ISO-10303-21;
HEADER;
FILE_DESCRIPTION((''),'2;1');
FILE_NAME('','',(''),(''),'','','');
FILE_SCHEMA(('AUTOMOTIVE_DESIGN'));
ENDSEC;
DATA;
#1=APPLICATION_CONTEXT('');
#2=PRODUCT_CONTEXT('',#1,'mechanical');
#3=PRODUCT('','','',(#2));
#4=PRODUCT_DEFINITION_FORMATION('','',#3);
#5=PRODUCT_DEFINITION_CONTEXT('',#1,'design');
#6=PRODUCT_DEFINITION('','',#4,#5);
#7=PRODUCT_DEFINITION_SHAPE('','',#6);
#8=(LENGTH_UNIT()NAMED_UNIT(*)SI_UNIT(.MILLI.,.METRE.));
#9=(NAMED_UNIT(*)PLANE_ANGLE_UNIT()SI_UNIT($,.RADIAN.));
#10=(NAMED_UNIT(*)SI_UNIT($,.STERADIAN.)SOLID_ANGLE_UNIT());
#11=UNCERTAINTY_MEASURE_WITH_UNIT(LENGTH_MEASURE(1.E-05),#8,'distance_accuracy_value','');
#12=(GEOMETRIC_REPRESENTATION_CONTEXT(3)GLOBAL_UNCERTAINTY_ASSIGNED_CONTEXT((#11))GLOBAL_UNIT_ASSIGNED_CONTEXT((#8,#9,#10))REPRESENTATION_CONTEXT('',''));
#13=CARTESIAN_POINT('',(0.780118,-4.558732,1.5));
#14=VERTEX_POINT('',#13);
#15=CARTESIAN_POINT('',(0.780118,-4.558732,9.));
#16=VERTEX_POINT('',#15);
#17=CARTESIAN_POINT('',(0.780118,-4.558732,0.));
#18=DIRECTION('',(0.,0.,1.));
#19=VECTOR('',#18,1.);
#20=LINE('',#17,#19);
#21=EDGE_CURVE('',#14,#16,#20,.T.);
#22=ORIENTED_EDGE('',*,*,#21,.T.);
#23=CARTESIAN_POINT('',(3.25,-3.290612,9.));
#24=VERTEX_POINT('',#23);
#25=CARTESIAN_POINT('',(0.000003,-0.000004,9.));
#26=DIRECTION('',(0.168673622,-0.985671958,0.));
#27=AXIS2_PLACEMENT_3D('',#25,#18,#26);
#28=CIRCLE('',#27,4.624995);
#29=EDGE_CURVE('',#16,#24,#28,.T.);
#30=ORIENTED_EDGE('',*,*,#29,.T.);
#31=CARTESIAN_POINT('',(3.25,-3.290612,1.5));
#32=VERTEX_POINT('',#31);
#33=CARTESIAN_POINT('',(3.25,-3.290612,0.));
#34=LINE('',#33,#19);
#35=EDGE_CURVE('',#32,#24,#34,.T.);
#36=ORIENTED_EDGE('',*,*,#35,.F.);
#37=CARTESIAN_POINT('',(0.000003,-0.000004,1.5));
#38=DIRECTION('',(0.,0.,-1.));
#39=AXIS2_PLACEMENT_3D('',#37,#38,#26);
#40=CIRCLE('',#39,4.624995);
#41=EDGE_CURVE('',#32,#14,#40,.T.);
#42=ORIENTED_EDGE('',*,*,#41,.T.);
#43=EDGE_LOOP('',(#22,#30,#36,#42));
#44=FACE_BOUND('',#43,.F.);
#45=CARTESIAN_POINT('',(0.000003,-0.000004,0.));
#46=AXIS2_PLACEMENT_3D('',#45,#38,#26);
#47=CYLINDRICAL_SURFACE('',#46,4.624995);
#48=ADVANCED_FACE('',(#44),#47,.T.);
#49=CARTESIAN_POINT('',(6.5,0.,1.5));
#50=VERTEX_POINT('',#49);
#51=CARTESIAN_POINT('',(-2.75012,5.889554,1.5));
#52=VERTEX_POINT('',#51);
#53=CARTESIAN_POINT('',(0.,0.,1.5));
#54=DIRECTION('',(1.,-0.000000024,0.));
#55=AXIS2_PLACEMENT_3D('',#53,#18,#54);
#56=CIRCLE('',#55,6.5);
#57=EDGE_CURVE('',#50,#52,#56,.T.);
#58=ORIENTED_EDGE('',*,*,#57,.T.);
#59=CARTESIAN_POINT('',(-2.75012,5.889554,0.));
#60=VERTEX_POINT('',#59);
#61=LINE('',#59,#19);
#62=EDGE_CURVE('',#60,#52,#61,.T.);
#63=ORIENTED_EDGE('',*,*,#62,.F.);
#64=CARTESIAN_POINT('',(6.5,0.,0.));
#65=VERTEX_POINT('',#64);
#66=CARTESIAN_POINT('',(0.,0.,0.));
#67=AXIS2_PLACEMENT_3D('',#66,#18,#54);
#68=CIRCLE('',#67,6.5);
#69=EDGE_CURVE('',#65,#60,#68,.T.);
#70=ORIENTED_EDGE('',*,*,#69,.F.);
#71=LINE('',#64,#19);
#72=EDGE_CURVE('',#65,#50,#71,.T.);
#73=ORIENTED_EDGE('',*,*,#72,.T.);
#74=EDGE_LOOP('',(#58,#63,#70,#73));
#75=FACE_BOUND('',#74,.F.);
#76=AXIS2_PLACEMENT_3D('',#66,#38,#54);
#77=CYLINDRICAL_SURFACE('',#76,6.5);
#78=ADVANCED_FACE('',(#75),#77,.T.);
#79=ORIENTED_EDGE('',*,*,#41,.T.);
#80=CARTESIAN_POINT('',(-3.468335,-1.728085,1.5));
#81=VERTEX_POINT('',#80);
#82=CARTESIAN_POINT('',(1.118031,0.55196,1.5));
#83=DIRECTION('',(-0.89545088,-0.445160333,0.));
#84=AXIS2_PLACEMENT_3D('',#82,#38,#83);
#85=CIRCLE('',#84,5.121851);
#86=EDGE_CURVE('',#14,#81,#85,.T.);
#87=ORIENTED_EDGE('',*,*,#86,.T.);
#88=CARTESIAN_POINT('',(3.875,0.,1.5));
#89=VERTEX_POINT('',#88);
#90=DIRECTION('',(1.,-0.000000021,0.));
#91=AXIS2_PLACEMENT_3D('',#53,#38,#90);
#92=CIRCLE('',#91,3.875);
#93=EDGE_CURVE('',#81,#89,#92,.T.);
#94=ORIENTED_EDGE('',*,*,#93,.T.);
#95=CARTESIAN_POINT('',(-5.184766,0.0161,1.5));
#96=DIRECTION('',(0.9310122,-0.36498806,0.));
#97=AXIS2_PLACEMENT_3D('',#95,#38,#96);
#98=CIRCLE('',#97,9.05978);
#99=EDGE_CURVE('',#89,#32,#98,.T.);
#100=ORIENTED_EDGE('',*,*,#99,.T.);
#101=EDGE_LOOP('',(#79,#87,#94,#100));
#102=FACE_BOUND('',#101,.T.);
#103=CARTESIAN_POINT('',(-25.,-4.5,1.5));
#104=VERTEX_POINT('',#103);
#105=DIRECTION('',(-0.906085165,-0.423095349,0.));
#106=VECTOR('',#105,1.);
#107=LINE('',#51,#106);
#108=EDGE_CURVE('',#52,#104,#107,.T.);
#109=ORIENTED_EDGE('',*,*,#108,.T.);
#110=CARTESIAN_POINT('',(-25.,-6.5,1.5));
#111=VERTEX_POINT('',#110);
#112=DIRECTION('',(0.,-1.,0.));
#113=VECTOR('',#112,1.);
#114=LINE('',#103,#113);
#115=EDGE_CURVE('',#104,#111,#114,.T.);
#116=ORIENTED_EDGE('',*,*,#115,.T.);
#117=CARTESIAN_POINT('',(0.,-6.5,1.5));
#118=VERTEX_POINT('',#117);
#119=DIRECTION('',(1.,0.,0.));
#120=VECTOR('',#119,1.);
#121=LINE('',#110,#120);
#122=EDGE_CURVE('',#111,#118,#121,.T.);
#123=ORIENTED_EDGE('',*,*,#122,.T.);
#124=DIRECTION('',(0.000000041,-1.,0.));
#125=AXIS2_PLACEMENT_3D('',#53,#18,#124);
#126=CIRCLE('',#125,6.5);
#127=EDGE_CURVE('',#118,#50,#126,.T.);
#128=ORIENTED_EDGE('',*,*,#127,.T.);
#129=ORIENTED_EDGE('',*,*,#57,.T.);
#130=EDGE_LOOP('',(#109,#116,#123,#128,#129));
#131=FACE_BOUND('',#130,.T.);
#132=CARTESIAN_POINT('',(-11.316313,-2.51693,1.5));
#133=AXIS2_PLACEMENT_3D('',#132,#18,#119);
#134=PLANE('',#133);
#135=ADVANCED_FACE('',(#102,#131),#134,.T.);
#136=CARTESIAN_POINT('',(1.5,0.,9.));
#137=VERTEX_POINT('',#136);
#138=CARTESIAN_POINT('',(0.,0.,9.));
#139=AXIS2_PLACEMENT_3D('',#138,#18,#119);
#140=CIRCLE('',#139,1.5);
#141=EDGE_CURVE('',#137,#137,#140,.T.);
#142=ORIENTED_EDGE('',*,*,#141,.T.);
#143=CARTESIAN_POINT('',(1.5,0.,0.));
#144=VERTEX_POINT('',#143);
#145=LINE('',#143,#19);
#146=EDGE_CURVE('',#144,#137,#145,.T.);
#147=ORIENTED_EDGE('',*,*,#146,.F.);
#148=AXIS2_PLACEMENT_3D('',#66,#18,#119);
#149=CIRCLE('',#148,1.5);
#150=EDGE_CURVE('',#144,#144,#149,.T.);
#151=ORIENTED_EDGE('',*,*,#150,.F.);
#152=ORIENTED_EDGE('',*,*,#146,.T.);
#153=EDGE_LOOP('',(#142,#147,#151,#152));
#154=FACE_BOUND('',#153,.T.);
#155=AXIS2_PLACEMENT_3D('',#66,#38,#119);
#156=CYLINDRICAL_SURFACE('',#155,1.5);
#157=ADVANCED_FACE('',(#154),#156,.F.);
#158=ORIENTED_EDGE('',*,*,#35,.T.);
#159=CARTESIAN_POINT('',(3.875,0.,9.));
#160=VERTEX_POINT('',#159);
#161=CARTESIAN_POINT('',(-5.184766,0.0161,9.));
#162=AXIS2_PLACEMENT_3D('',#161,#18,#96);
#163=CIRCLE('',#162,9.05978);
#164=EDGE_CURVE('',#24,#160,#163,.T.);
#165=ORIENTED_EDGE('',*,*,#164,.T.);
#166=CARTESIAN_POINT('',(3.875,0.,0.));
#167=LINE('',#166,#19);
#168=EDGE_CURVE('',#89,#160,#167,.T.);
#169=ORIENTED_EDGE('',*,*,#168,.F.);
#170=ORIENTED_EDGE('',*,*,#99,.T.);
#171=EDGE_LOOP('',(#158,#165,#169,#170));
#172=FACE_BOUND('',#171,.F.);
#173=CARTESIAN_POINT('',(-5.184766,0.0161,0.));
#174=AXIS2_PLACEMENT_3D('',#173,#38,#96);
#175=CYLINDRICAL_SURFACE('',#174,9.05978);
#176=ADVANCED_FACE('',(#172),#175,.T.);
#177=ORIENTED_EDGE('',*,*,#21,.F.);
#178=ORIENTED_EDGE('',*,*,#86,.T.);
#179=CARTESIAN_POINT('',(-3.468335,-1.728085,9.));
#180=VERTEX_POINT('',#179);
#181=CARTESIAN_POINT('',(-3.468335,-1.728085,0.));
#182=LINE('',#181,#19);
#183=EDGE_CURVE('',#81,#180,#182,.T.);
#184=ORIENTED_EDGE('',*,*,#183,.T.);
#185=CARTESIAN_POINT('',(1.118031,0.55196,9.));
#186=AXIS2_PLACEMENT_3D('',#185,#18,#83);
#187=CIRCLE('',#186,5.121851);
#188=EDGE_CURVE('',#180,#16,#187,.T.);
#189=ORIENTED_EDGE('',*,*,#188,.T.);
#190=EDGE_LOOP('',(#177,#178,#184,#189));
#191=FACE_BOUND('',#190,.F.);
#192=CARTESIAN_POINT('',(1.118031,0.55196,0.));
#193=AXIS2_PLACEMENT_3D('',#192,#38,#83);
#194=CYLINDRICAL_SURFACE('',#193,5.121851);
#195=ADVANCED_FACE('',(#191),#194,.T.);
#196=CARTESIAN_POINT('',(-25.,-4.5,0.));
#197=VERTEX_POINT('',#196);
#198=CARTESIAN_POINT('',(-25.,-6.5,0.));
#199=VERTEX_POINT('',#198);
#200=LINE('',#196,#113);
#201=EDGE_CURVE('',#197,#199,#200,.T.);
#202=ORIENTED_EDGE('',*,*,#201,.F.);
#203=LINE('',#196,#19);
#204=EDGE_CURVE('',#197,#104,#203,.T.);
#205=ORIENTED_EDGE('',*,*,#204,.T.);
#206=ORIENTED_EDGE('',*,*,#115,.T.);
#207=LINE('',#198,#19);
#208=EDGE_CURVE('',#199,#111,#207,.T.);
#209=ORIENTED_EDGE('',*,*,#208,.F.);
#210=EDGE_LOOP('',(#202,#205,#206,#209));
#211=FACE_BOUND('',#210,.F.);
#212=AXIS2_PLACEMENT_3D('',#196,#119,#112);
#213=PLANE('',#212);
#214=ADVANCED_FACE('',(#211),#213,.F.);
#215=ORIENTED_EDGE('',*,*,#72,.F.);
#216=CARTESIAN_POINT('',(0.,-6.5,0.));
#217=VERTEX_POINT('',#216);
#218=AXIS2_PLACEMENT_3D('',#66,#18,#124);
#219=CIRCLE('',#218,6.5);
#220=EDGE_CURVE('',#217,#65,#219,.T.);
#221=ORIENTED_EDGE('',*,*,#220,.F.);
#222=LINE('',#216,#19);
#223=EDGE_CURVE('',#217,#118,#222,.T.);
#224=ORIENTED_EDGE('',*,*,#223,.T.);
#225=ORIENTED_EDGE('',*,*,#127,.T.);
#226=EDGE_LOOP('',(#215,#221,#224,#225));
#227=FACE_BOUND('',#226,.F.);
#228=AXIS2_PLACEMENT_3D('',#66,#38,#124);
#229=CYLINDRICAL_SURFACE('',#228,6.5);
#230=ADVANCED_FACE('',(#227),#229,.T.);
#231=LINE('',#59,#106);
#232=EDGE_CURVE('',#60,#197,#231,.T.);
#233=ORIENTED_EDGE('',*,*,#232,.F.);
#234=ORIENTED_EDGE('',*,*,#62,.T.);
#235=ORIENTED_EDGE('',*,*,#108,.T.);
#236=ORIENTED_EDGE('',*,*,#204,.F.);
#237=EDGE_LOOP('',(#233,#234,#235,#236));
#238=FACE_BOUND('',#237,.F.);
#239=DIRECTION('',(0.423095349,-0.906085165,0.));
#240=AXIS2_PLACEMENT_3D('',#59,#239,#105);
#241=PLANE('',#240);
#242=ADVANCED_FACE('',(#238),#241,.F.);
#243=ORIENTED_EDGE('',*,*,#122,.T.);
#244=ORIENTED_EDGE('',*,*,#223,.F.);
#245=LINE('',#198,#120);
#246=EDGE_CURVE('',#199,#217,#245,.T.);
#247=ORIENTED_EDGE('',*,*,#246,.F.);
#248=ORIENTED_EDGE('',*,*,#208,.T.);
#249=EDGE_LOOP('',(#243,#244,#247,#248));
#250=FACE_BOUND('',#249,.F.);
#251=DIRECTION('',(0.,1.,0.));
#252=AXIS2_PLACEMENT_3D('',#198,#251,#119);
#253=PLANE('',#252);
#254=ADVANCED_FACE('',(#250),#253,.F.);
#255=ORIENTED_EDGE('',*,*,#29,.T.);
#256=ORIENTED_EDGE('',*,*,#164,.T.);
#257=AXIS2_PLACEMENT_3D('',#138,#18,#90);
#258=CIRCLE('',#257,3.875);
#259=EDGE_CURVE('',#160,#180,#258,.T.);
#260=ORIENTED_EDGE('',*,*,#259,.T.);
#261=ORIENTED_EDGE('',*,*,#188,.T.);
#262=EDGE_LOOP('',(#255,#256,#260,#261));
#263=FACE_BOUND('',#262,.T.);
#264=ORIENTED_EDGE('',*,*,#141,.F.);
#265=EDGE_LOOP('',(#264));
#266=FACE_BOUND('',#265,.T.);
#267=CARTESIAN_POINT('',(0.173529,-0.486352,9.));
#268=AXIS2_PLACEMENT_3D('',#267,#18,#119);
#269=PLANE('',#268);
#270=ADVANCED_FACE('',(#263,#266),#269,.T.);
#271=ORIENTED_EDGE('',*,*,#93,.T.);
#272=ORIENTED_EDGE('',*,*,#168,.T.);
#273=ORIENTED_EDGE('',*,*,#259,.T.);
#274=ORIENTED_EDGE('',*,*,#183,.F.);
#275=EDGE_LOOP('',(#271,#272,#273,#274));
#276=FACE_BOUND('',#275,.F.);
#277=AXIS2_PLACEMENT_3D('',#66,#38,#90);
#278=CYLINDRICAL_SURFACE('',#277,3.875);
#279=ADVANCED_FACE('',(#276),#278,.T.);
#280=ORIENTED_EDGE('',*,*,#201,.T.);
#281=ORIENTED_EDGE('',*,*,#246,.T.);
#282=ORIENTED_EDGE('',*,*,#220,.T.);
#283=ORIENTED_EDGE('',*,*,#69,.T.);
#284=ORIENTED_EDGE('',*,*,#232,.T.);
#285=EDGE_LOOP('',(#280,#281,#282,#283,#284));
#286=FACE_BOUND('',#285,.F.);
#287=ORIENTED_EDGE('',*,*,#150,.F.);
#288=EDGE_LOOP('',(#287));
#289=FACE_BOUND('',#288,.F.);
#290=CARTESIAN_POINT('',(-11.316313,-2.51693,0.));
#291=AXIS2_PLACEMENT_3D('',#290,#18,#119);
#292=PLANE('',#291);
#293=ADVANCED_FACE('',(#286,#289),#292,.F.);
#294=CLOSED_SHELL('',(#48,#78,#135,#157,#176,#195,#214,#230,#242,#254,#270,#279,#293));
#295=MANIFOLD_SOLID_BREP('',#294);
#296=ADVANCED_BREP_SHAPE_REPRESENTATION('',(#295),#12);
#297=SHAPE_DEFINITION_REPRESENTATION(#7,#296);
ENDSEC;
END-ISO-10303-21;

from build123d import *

# Parameters (mm, degrees)
F0_R     = 1.5
F1_DEPTH = 1.5
F2_DEPTH = 9


with BuildPart() as f1:
    # F0 (on Top) → F1 (new body)
    with BuildSketch(Plane.XY):
        with BuildLine():
            ThreePointArc((0, -6.5), (-6.345554, -1.408528), (-2.75012, 5.889554))
            Line((-2.75012, 5.889554), (-25, -4.5))
            Line((-25, -4.5), (-25, -6.5))
            Line((-25, -6.5), (0, -6.5))
        make_face()
        with BuildLine():
            ThreePointArc((0, -6.5), (4.596194, -4.596194), (6.5, 0))
            ThreePointArc((6.5, 0), (3.491004, 5.482964), (-2.75012, 5.889554))
            ThreePointArc((-2.75012, 5.889554), (-6.345554, -1.408528), (0, -6.5))
        make_face()
        with BuildLine():
            ThreePointArc((3.270369, 3.270369), (4.272943, 1.769911), (4.625, 0))
            ThreePointArc((4.625, 0), (4.267428, -1.783168), (3.25, -3.290612))
            ThreePointArc((3.25, -3.290612), (2.112462, -4.114381), (0.780118, -4.558732))
            ThreePointArc((0.780118, -4.558732), (-4.407416, 1.401894), (3.270369, 3.270369))
        make_face(mode=Mode.SUBTRACT)
        with BuildLine():
            ThreePointArc((0.780118, -4.558732), (2.112462, -4.114381), (3.25, -3.290612))
            ThreePointArc((3.25, -3.290612), (3.715891, -1.67444), (3.875, 0))
            ThreePointArc((3.875, 0), (-0.887645, 3.771964), (-3.468335, -1.728085))
            ThreePointArc((-3.468335, -1.728085), (-1.721911, -3.710444), (0.780118, -4.558732))
        make_face()
        Circle(F0_R, mode=Mode.SUBTRACT)
        with BuildLine():
            ThreePointArc((3.25, -3.290612), (4.267428, -1.783168), (4.625, 0))
            ThreePointArc((4.625, 0), (4.272943, 1.769911), (3.270369, 3.270369))
            ThreePointArc((3.270369, 3.270369), (3.724037, 1.663167), (3.875, 0))
            ThreePointArc((3.875, 0), (3.715891, -1.67444), (3.25, -3.290612))
        make_face()
        with BuildLine():
            ThreePointArc((3.875, 0), (3.724037, 1.663167), (3.270369, 3.270369))
            ThreePointArc((3.270369, 3.270369), (-4.407416, 1.401894), (0.780118, -4.558732))
            ThreePointArc((0.780118, -4.558732), (-1.721911, -3.710444), (-3.468335, -1.728085))
            ThreePointArc((-3.468335, -1.728085), (-0.887645, 3.771964), (3.875, 0))
        make_face()
    extrude(amount=F1_DEPTH)

    # F0 (on Top) → F2 (join)
    with BuildSketch(Plane.XY):
        with BuildLine():
            ThreePointArc((0.780118, -4.558732), (2.112462, -4.114381), (3.25, -3.290612))
            ThreePointArc((3.25, -3.290612), (3.715891, -1.67444), (3.875, 0))
            ThreePointArc((3.875, 0), (-0.887645, 3.771964), (-3.468335, -1.728085))
            ThreePointArc((-3.468335, -1.728085), (-1.721911, -3.710444), (0.780118, -4.558732))
        make_face()
        Circle(F0_R, mode=Mode.SUBTRACT)
    extrude(amount=F2_DEPTH)


solid = f1.part
